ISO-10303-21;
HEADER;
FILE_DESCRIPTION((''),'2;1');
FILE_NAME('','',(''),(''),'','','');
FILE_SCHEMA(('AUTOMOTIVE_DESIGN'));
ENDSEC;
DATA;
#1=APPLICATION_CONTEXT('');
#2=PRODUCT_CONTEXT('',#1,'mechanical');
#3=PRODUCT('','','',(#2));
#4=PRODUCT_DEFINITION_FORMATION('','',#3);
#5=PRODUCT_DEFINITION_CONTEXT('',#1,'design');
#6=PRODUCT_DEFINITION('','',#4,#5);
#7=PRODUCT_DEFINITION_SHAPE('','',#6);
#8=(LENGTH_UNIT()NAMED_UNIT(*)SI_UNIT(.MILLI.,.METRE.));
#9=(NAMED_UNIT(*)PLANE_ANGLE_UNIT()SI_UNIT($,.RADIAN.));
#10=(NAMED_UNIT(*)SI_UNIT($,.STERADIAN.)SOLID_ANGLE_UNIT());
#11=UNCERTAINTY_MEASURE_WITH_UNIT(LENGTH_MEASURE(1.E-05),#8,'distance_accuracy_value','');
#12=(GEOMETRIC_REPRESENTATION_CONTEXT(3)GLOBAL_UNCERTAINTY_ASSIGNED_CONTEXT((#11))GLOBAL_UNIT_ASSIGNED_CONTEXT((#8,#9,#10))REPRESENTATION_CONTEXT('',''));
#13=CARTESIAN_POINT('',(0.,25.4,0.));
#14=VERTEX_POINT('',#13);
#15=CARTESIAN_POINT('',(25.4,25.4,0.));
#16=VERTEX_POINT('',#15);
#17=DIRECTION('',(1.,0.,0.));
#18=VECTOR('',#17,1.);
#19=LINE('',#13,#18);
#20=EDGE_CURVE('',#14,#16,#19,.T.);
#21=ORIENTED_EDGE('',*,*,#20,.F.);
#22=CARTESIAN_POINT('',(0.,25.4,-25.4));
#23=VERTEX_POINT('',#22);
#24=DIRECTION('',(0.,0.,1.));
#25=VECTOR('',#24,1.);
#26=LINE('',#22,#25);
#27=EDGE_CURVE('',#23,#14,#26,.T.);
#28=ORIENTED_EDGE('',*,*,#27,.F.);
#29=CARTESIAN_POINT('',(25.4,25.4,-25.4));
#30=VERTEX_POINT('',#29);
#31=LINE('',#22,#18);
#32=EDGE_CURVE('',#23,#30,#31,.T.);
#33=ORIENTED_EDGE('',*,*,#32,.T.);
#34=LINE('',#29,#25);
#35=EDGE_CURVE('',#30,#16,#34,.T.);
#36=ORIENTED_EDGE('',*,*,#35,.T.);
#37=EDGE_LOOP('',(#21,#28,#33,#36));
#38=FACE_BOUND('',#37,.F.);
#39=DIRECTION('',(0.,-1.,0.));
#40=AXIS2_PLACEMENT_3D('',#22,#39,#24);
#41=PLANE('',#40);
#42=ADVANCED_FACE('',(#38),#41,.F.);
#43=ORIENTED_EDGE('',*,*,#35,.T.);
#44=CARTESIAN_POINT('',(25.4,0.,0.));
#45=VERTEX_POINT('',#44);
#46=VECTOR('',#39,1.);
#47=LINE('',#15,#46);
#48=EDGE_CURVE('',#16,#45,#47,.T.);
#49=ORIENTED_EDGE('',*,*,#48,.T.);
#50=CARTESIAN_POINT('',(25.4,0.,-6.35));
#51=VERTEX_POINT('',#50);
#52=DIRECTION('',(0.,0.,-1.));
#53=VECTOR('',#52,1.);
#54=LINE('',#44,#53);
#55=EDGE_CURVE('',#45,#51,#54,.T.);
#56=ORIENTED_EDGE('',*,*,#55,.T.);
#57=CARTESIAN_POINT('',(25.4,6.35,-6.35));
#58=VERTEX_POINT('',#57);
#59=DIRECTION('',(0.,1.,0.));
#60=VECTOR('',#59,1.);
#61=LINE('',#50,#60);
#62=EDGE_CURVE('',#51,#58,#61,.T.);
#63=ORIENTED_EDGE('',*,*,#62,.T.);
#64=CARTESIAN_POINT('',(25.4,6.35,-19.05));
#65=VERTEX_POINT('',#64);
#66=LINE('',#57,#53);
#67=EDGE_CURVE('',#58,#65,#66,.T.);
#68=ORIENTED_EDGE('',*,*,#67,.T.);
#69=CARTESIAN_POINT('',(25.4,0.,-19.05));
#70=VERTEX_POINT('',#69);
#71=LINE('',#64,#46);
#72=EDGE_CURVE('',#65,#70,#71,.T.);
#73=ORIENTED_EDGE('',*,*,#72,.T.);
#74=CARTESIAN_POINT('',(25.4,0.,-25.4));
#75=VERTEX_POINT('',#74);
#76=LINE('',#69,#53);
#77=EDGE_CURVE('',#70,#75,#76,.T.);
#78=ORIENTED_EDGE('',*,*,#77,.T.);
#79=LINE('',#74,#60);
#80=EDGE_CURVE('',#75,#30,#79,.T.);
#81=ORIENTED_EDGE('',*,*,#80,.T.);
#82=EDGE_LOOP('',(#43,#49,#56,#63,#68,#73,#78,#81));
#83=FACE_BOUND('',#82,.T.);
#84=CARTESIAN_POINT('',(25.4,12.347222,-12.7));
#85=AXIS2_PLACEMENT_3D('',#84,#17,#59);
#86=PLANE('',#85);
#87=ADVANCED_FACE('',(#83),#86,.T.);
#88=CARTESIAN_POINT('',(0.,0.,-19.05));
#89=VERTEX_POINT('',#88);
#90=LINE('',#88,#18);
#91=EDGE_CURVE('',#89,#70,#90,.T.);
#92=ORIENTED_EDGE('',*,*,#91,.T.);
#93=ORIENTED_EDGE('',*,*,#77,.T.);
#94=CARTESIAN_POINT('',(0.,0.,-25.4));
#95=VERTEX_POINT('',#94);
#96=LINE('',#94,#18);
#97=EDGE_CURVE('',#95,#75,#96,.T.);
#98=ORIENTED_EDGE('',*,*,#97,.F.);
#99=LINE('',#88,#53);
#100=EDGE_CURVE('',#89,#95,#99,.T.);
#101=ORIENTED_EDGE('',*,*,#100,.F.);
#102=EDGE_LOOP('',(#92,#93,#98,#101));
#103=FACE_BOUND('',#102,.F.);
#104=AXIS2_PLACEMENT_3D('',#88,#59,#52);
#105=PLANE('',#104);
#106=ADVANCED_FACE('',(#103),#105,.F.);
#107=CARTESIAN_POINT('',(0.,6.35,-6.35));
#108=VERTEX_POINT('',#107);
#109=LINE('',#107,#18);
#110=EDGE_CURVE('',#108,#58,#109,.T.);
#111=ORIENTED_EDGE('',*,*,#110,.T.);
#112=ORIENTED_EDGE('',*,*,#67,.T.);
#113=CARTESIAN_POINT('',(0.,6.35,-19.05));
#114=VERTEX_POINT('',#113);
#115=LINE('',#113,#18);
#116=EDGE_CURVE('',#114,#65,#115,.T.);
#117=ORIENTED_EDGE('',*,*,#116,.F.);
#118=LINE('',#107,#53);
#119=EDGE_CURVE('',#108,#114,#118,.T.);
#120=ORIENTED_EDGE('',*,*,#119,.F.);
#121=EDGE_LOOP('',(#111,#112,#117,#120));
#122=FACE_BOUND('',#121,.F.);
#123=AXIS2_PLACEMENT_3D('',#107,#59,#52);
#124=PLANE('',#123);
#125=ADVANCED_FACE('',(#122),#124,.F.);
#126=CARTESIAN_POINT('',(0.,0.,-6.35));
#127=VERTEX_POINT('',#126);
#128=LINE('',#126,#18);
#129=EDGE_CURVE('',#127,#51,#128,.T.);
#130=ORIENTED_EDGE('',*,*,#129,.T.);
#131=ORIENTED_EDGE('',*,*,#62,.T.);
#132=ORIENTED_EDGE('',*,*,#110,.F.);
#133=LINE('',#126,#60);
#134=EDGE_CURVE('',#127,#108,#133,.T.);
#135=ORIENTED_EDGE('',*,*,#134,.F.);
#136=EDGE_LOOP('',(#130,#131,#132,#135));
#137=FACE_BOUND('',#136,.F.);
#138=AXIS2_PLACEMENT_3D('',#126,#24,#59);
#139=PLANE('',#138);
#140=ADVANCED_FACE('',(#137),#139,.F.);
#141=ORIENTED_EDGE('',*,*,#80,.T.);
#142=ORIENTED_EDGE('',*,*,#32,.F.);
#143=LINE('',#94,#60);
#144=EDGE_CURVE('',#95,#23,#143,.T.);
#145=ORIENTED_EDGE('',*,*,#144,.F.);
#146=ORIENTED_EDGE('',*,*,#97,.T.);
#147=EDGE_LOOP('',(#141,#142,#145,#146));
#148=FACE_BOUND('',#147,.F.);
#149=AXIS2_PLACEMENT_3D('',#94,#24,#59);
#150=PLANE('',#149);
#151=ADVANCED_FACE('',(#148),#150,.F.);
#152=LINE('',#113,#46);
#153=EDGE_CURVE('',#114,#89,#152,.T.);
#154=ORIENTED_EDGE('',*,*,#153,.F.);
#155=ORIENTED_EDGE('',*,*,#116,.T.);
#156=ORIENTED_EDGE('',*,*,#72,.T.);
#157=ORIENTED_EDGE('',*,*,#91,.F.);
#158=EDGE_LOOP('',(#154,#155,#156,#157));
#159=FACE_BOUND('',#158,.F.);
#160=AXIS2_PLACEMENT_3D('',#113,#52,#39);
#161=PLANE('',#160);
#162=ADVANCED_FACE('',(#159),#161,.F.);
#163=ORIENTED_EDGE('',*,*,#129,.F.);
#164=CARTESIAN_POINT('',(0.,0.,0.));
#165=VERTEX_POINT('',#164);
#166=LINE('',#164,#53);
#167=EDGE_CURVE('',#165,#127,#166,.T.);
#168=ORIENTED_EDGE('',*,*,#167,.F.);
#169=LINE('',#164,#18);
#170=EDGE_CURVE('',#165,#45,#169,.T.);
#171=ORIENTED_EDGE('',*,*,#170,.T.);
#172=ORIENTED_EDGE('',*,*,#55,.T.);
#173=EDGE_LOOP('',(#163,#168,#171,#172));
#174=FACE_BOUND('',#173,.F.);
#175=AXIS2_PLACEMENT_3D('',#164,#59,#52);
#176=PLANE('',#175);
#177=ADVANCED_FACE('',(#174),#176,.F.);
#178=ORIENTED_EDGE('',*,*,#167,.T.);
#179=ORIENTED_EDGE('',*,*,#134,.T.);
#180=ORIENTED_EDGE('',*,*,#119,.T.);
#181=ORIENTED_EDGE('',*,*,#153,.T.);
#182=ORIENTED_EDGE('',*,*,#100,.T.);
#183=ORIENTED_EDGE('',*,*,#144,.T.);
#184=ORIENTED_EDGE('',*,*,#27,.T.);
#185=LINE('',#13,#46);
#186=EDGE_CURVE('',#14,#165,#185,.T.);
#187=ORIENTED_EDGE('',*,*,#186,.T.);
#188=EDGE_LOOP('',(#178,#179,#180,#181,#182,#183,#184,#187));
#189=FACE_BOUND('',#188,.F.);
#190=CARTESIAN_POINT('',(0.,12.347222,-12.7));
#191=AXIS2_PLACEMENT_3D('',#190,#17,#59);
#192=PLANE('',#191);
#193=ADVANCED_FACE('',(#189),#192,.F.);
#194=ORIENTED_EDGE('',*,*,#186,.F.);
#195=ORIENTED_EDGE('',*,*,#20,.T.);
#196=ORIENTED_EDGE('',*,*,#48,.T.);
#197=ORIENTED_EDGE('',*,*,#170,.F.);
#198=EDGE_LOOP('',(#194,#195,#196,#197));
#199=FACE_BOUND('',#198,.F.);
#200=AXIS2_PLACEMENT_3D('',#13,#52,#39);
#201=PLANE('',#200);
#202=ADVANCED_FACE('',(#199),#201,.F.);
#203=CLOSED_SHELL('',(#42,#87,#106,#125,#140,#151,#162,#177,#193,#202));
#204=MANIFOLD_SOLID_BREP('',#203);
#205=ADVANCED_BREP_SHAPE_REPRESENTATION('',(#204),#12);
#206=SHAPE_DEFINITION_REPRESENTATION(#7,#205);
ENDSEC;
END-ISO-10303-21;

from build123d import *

# Parameters (mm, degrees)
F1_DEPTH = 25.4


with BuildPart() as f1:
    # F0 (on Right) → F1 (new body)
    with BuildSketch(Plane.YZ):
        Polygon((25.4, 0), (0, 0), (0, -2.695372), (0, -6.35), (6.35, -6.35), (6.35, -19.05), (0, -19.05), (0, -25.4), (25.4, -25.4), align=None)
    extrude(amount=F1_DEPTH)


solid = f1.part
